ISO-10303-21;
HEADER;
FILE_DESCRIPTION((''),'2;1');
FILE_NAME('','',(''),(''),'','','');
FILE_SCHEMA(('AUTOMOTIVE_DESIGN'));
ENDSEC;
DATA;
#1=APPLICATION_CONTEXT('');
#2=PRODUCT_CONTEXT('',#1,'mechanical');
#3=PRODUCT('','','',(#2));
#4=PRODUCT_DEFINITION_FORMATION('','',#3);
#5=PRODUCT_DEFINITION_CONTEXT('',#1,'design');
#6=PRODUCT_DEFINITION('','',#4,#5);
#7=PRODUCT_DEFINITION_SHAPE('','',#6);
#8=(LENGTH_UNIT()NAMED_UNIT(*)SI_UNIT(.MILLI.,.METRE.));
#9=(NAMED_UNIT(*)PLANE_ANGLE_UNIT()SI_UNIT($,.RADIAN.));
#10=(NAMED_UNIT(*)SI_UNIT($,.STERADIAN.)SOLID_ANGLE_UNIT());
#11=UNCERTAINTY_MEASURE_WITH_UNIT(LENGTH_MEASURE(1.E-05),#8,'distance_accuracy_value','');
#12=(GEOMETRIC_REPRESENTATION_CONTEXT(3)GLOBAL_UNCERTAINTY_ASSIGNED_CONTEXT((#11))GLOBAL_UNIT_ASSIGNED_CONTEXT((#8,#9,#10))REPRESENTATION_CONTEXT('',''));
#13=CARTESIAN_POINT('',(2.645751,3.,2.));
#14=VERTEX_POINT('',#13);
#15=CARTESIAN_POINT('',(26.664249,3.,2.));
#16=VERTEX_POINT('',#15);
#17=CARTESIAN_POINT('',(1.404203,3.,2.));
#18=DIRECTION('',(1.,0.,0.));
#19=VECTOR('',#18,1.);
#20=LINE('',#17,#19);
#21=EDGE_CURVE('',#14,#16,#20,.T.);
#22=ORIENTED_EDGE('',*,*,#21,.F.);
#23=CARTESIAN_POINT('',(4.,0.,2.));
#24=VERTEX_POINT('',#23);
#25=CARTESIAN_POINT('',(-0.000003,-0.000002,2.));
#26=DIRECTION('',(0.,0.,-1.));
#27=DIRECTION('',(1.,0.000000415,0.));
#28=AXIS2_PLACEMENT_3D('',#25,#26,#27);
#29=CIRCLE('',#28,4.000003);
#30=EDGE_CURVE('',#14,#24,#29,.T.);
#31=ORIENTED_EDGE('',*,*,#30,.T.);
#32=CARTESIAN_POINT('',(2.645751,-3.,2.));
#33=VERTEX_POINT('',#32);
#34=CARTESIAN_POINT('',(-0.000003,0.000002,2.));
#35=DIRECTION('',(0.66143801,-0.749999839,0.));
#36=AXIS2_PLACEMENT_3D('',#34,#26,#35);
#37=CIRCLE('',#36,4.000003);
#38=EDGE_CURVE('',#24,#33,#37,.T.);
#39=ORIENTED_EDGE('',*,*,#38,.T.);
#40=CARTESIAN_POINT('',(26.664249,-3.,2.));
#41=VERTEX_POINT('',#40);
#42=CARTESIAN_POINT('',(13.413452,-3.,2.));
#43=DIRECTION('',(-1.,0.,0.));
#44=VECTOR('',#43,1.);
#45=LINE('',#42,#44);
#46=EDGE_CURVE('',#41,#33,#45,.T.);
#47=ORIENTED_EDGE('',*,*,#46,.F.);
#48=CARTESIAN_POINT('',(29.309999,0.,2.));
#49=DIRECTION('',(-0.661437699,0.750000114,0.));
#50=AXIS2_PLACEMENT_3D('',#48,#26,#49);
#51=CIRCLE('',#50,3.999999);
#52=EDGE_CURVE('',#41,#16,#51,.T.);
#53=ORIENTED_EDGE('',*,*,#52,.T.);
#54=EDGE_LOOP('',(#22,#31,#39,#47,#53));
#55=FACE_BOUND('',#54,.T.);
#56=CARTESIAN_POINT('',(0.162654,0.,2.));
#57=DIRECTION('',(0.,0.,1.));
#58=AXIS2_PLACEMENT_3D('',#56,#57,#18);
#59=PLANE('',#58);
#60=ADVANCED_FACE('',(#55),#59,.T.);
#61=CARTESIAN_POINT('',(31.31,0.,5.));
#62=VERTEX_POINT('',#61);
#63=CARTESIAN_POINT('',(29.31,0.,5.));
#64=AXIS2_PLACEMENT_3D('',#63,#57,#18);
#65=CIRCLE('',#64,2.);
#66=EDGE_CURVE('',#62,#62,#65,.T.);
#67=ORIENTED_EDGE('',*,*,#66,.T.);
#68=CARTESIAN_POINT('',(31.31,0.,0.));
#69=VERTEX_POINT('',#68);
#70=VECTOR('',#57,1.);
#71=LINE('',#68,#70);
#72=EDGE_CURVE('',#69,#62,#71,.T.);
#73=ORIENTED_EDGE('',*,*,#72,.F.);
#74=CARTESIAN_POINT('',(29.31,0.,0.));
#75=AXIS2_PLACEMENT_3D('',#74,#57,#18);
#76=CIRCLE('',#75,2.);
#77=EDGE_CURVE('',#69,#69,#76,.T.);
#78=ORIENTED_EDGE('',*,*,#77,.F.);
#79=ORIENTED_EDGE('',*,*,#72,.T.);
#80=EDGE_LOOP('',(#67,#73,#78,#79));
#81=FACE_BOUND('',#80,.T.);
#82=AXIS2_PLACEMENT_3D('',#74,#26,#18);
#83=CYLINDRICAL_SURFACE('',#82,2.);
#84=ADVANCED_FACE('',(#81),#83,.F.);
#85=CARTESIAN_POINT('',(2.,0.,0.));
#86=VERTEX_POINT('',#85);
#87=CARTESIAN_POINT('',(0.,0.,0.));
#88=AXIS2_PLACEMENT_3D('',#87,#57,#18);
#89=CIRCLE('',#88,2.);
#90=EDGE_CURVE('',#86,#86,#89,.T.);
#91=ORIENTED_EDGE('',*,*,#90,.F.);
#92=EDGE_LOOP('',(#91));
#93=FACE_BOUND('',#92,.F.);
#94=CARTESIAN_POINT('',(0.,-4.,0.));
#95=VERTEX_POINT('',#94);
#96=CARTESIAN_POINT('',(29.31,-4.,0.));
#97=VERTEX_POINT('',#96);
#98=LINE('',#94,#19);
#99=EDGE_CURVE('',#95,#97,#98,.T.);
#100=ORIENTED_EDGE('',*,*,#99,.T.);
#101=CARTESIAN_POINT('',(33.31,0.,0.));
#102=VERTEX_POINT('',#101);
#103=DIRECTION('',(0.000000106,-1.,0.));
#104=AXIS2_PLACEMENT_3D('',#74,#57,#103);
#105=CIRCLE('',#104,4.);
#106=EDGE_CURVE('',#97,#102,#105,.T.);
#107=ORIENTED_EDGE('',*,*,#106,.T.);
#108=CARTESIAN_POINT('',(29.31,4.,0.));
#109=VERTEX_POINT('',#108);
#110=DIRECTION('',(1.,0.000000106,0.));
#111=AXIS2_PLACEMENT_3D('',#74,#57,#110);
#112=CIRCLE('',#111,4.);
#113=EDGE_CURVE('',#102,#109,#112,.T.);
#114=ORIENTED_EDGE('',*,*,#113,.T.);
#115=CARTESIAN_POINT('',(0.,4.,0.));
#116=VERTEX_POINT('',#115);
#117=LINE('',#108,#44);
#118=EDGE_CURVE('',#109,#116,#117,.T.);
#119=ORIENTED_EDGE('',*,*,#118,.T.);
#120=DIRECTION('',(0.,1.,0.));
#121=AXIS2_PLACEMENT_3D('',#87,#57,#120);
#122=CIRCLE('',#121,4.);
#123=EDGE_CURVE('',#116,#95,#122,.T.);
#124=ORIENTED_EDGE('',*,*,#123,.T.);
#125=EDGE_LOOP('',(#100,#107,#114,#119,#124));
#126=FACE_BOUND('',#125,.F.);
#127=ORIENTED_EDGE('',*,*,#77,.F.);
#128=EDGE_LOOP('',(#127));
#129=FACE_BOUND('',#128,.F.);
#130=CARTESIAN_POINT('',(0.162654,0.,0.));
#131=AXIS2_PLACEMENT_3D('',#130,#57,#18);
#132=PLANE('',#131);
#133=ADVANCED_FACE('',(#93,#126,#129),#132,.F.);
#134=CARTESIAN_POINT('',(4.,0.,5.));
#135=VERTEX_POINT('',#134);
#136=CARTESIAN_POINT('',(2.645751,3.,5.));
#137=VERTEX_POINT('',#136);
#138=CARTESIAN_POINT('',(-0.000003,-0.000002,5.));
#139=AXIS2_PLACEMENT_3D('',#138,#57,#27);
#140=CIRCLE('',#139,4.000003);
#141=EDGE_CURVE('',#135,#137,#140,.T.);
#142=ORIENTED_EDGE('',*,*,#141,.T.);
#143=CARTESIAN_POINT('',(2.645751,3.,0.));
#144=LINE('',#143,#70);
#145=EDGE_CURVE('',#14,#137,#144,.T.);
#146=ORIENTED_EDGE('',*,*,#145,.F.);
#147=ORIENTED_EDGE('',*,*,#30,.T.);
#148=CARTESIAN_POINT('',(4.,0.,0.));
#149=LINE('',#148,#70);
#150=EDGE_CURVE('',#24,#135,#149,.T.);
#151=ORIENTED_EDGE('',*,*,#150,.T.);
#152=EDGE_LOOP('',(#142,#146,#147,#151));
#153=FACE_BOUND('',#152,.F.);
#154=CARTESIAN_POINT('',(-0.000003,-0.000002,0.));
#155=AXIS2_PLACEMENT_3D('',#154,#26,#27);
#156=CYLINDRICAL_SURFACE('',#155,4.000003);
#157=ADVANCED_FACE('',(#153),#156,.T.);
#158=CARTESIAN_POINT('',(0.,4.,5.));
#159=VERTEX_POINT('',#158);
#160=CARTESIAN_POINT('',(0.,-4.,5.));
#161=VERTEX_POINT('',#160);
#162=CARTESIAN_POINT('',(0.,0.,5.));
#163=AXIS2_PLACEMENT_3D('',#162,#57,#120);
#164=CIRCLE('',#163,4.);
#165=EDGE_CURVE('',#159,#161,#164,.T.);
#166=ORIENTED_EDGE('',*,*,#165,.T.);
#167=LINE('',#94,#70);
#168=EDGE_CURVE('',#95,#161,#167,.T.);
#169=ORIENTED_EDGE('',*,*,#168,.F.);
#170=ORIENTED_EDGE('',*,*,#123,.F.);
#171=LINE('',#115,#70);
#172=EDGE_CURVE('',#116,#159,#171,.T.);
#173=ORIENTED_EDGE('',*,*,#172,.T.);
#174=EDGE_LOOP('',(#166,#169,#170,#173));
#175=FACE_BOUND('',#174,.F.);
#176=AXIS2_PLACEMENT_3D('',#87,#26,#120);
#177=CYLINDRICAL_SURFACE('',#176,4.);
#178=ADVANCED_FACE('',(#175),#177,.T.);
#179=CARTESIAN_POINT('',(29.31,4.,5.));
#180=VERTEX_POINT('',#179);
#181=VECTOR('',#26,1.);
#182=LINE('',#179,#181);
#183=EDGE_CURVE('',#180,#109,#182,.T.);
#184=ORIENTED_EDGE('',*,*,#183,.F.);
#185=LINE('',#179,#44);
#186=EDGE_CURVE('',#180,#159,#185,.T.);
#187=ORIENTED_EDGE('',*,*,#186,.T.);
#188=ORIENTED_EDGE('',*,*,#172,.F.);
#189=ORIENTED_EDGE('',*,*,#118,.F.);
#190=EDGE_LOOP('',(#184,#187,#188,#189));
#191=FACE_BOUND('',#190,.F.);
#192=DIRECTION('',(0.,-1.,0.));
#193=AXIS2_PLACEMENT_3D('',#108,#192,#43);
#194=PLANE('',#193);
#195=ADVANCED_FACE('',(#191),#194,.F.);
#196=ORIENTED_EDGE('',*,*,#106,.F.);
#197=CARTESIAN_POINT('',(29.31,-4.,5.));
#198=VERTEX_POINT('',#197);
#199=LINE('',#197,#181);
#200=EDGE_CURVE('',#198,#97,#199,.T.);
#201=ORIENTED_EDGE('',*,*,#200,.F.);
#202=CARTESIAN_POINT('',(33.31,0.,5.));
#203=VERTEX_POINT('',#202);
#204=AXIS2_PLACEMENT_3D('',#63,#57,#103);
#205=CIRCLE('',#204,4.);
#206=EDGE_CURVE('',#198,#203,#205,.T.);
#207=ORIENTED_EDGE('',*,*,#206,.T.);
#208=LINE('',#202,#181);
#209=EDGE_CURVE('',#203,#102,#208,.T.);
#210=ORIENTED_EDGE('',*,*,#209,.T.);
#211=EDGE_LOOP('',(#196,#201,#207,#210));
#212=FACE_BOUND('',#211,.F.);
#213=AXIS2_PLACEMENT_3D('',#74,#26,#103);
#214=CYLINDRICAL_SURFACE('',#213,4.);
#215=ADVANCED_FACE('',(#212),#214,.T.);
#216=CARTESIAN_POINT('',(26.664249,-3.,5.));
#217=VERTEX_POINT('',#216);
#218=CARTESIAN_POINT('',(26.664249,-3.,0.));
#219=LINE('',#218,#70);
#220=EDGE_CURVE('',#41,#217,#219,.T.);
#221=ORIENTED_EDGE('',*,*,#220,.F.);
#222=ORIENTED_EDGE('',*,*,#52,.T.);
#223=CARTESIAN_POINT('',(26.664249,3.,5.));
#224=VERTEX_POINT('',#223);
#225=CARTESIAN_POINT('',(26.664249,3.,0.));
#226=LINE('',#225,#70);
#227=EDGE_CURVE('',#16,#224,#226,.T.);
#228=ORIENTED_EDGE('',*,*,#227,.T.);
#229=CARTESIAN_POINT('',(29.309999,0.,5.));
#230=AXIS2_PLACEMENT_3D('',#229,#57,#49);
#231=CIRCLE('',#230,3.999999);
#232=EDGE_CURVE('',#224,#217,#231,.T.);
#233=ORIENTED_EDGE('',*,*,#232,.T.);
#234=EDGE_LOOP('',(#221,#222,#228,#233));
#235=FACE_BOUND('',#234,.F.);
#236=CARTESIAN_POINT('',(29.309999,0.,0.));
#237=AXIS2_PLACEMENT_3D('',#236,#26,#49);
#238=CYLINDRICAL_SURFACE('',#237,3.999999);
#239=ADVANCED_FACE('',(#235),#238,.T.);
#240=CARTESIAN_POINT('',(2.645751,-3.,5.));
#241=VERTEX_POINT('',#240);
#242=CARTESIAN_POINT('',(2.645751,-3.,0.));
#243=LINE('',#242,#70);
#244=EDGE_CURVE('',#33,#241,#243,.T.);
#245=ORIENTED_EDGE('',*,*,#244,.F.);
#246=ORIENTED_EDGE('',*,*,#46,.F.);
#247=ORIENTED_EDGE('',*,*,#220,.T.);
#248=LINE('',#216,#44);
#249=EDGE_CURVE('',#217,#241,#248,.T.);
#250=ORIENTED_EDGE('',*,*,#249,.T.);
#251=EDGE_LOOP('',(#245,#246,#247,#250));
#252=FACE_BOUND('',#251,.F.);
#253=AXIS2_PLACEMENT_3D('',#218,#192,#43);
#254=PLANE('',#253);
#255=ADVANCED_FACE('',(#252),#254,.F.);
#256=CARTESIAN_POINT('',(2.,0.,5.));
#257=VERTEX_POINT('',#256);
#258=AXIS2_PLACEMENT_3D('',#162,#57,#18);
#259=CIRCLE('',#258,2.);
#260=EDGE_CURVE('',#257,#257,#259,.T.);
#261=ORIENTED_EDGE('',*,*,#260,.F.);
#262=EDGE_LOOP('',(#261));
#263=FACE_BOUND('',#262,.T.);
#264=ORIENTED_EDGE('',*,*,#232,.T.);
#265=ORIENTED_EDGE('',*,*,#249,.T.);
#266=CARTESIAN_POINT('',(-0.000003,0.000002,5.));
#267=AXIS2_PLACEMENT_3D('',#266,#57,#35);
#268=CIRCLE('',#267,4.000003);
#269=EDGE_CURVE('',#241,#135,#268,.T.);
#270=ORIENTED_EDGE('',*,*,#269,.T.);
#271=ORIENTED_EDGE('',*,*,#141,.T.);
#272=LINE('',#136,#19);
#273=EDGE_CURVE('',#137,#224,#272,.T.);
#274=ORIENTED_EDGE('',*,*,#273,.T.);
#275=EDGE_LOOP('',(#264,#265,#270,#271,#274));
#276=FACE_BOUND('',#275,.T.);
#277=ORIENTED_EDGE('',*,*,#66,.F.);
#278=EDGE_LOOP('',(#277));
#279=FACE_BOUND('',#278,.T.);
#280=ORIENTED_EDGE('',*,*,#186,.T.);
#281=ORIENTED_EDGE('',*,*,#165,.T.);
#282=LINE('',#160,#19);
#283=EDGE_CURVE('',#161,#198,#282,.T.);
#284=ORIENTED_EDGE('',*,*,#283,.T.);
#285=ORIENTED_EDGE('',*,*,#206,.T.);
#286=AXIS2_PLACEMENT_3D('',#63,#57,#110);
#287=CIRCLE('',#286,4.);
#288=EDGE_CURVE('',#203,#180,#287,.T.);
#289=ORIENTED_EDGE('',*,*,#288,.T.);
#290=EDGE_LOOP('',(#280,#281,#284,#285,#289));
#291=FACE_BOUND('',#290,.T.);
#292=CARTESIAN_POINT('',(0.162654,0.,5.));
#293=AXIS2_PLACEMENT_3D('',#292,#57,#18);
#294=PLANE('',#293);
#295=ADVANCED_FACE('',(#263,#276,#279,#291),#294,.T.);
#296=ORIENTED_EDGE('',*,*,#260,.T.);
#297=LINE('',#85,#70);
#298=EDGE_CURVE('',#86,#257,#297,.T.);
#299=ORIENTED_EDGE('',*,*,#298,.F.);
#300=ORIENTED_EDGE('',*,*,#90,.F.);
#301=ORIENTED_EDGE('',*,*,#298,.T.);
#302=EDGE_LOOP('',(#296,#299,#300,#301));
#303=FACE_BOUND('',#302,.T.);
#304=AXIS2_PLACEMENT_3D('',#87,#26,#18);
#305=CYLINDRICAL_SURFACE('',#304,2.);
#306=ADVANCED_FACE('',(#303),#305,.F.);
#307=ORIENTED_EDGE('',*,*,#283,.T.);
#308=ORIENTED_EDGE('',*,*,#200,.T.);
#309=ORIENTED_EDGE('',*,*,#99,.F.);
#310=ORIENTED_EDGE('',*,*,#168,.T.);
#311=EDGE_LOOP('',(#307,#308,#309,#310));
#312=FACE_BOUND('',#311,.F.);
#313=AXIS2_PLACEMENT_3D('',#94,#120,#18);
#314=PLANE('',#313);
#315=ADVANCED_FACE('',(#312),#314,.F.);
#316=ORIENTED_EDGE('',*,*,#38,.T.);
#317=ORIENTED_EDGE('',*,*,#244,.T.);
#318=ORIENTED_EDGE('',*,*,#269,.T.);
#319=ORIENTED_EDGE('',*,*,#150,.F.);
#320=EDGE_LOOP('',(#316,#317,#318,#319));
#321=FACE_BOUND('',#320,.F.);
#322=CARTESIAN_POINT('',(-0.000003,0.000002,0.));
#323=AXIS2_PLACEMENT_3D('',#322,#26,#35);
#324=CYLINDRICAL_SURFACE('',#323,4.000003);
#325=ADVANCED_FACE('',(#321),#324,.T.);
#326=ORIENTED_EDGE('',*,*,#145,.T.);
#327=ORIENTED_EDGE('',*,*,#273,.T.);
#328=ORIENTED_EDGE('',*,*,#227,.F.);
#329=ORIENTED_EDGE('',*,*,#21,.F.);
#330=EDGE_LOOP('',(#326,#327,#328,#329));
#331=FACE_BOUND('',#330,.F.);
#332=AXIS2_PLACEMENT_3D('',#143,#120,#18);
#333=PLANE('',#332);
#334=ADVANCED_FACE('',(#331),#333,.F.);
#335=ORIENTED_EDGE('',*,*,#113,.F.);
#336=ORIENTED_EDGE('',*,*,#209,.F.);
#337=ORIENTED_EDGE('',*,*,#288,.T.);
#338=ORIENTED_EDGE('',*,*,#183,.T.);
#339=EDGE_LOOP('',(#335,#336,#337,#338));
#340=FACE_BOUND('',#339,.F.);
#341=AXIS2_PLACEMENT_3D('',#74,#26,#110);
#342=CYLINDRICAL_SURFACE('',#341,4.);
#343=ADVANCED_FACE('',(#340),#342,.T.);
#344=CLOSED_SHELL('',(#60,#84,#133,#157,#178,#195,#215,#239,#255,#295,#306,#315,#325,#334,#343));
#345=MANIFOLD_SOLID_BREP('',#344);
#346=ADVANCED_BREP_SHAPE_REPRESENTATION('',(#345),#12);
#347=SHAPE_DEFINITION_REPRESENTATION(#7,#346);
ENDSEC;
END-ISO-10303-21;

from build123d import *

# Parameters (mm, degrees)
F0_R     = 2
F1_DEPTH = 5
F2_DEPTH = 2


with BuildPart() as f1:
    # F0 (on Top) → F1 (new body)
    with BuildSketch(Plane.XY):
        with BuildLine():
            ThreePointArc((2.645751, -3), (3.645751, -1.645751), (4, 0))
            ThreePointArc((4, 0), (3.645751, 1.645751), (2.645751, 3))
            ThreePointArc((2.645751, 3), (1.414214, 3.741657), (0, 4))
            ThreePointArc((0, 4), (-4, 0), (0, -4))
            ThreePointArc((0, -4), (1.414214, -3.741657), (2.645751, -3))
        make_face()
        Circle(F0_R, mode=Mode.SUBTRACT)
        with BuildLine():
            ThreePointArc((0, 4), (1.414214, 3.741657), (2.645751, 3))
            Line((2.645751, 3), (26.664249, 3))
            ThreePointArc((26.664249, 3), (27.895786, 3.741657), (29.31, 4))
            Line((29.31, 4), (0, 4))
        make_face()
        with BuildLine():
            Line((26.664249, -3), (2.645751, -3))
            ThreePointArc((2.645751, -3), (1.414214, -3.741657), (0, -4))
            Line((0, -4), (29.31, -4))
            ThreePointArc((29.31, -4), (27.895786, -3.741657), (26.664249, -3))
        make_face()
        with BuildLine():
            ThreePointArc((29.31, 4), (27.895786, 3.741657), (26.664249, 3))
            ThreePointArc((26.664249, 3), (25.31, 0), (26.664249, -3))
            ThreePointArc((26.664249, -3), (27.895786, -3.741657), (29.31, -4))
            ThreePointArc((29.31, -4), (32.138427, -2.828427), (33.31, 0))
            ThreePointArc((33.31, 0), (32.138427, 2.828427), (29.31, 4))
        make_face()
        with Locations((29.31, 0)):
            Circle(F0_R, mode=Mode.SUBTRACT)
    extrude(amount=F1_DEPTH)

    # F0 (on Top) → F2 (join)
    with BuildSketch(Plane.XY):
        with BuildLine():
            ThreePointArc((2.645751, -3), (3.645751, -1.645751), (4, 0))
            ThreePointArc((4, 0), (3.645751, 1.645751), (2.645751, 3))
            ThreePointArc((2.645751, 3), (1.414214, 3.741657), (0, 4))
            ThreePointArc((0, 4), (-4, 0), (0, -4))
            ThreePointArc((0, -4), (1.414214, -3.741657), (2.645751, -3))
        make_face()
        Circle(F0_R, mode=Mode.SUBTRACT)
        with BuildLine():
            ThreePointArc((0, 4), (1.414214, 3.741657), (2.645751, 3))
            Line((2.645751, 3), (26.664249, 3))
            ThreePointArc((26.664249, 3), (27.895786, 3.741657), (29.31, 4))
            Line((29.31, 4), (0, 4))
        make_face()
        with BuildLine():
            Line((26.664249, -3), (2.645751, -3))
            ThreePointArc((2.645751, -3), (1.414214, -3.741657), (0, -4))
            Line((0, -4), (29.31, -4))
            ThreePointArc((29.31, -4), (27.895786, -3.741657), (26.664249, -3))
        make_face()
        with BuildLine():
            ThreePointArc((29.31, 4), (27.895786, 3.741657), (26.664249, 3))
            ThreePointArc((26.664249, 3), (25.31, 0), (26.664249, -3))
            ThreePointArc((26.664249, -3), (27.895786, -3.741657), (29.31, -4))
            ThreePointArc((29.31, -4), (32.138427, -2.828427), (33.31, 0))
            ThreePointArc((33.31, 0), (32.138427, 2.828427), (29.31, 4))
        make_face()
        with Locations((29.31, 0)):
            Circle(F0_R, mode=Mode.SUBTRACT)
        with BuildLine():
            ThreePointArc((2.645751, 3), (3.645751, 1.645751), (4, 0))
            ThreePointArc((4, 0), (3.645751, -1.645751), (2.645751, -3))
            Line((2.645751, -3), (26.664249, -3))
            ThreePointArc((26.664249, -3), (25.31, 0), (26.664249, 3))
            Line((26.664249, 3), (2.645751, 3))
        make_face()
    extrude(amount=F2_DEPTH)


solid = f1.part
